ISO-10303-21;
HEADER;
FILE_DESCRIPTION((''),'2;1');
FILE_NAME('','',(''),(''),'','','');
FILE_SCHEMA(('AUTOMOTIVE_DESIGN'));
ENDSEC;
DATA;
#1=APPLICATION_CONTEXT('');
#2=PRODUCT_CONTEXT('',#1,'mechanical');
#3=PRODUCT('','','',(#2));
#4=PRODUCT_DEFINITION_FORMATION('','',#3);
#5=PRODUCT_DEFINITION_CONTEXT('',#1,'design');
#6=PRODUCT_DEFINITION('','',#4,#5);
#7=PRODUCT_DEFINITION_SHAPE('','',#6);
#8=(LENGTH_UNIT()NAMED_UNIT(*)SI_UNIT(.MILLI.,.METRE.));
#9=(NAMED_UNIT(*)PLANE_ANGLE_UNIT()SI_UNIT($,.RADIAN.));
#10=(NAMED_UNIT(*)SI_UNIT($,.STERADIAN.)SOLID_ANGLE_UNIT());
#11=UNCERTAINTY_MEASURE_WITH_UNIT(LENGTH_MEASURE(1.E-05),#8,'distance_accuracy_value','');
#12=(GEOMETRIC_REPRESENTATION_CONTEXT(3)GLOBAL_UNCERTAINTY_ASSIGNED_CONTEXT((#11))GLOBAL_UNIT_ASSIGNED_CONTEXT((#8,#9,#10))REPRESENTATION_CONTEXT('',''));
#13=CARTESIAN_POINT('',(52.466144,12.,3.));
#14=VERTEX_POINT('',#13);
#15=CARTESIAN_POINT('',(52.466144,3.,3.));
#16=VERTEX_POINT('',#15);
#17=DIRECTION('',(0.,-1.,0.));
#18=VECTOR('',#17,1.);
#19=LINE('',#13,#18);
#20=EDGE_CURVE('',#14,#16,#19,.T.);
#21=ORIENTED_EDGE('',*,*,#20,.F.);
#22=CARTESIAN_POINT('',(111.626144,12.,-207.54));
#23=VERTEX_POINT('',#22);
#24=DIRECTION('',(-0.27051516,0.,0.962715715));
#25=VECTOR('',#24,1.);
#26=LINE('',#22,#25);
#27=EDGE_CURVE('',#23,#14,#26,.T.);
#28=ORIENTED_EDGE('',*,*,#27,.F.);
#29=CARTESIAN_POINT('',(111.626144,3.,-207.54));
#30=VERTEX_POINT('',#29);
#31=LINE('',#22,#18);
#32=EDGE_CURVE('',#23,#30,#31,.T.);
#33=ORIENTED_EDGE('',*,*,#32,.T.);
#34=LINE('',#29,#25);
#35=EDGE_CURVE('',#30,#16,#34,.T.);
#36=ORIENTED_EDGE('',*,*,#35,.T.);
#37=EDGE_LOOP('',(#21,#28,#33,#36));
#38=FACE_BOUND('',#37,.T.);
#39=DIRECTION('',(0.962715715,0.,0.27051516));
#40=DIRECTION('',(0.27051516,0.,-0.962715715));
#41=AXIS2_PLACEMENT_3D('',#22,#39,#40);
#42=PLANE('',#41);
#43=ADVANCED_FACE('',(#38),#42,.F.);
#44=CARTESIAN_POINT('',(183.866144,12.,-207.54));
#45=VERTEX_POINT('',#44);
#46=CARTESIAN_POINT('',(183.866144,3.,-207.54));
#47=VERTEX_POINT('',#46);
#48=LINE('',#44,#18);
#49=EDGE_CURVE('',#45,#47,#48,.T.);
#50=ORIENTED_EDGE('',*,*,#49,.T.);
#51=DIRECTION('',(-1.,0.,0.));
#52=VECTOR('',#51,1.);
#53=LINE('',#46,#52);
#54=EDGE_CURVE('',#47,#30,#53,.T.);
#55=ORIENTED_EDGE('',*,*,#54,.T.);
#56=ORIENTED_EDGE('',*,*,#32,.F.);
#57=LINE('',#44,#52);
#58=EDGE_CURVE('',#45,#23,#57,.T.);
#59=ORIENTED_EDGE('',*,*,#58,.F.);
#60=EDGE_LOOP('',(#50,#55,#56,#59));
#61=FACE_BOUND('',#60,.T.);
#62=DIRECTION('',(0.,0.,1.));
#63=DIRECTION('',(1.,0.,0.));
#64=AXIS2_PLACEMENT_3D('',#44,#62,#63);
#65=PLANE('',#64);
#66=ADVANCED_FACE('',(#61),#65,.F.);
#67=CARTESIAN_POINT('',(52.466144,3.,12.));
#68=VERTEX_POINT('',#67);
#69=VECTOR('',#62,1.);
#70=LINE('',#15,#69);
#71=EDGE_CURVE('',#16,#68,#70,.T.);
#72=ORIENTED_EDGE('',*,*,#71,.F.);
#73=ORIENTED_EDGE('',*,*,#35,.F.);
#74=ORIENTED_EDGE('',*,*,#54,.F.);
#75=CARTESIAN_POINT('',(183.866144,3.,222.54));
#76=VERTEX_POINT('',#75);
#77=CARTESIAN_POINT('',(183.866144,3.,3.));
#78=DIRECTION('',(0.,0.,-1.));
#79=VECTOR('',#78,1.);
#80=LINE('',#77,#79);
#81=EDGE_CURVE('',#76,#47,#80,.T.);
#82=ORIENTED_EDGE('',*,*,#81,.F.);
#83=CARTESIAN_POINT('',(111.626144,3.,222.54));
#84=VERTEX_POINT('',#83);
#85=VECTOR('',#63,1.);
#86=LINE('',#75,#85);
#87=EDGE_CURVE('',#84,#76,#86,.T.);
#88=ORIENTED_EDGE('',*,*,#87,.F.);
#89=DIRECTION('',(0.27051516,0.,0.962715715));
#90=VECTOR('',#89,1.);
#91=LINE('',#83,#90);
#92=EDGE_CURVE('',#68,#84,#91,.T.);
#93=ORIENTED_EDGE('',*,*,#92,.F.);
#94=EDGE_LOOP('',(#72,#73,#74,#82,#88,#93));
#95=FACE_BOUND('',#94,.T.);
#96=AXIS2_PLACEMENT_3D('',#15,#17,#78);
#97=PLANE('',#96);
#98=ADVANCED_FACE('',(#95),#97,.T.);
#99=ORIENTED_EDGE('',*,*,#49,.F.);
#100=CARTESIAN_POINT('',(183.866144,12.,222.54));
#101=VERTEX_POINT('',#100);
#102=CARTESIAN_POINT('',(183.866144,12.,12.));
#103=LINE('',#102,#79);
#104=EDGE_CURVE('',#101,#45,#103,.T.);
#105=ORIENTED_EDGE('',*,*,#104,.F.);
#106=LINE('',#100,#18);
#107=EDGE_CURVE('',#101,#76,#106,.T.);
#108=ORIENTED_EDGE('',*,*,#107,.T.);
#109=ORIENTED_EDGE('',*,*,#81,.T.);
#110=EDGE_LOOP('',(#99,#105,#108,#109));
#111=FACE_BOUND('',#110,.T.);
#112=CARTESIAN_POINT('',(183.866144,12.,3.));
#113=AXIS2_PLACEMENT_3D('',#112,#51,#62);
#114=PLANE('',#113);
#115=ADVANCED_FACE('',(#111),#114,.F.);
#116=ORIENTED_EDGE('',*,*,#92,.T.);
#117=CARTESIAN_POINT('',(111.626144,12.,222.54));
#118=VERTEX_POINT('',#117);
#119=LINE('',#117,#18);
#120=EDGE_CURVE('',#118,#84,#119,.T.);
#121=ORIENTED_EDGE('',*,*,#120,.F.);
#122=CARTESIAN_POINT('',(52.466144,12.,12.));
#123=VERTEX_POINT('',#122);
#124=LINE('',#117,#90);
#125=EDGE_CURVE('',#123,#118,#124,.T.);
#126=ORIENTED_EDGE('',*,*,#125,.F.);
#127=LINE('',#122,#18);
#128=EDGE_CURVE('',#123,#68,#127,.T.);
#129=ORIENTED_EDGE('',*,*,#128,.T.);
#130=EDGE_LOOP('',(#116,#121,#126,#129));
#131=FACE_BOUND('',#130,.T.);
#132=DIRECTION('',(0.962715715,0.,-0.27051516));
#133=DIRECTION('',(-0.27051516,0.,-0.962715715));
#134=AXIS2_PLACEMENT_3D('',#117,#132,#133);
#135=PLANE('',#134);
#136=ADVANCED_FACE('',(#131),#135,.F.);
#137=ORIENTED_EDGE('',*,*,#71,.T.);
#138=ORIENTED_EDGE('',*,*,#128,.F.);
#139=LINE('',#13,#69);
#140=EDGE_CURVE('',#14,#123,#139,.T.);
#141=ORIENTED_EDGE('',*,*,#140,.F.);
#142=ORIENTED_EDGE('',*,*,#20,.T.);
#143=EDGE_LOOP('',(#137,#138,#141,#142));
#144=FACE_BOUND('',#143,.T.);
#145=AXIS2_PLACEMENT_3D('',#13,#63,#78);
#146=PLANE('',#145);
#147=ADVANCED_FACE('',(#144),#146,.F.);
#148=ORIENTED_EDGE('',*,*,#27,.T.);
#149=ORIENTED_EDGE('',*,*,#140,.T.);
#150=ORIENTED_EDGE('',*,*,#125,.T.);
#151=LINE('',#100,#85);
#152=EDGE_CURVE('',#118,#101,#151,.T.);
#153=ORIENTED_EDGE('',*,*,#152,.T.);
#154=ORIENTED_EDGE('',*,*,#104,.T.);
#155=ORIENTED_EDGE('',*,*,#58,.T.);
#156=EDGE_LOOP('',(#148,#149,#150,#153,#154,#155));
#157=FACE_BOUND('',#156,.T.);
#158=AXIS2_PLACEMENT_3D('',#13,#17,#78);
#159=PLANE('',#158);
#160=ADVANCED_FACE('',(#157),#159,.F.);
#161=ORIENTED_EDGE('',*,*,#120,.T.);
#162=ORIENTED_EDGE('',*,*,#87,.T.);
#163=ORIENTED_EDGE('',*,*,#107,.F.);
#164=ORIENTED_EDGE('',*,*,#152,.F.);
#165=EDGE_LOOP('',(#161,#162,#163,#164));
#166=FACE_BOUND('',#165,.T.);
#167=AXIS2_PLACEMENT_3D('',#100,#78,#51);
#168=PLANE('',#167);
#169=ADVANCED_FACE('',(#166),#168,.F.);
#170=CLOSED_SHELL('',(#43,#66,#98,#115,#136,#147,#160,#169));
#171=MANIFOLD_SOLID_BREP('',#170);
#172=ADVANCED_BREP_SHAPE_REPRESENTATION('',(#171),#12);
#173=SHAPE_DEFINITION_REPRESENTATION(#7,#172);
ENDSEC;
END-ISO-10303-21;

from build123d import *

# Parameters (mm, degrees)
BOSS_EXTRUDE1_DEPTH = 15
SCALE2_SCALE        = 0.6


with BuildPart() as part:
    # Sketch1 → Boss-Extrude1 (new body)
    with BuildSketch(Plane(origin=(0, 0, 0), x_dir=(1, 0, 0), z_dir=(0, 1, 0))):
        Polygon((219, 0), (219, 350.9), (98.6, 350.9), (0, 0), (0, -15), (98.6, -365.9), (219, -365.9), (219, -15), align=None)
    extrude(amount=BOSS_EXTRUDE1_DEPTH)


with BuildPart() as part_1:
    # Scale2: scaled about (131.165360429, 7.5, 7.5)
    add(part.part.scale(SCALE2_SCALE).moved(Location((52.466144172, 3, 3))))


solid = part_1.part
